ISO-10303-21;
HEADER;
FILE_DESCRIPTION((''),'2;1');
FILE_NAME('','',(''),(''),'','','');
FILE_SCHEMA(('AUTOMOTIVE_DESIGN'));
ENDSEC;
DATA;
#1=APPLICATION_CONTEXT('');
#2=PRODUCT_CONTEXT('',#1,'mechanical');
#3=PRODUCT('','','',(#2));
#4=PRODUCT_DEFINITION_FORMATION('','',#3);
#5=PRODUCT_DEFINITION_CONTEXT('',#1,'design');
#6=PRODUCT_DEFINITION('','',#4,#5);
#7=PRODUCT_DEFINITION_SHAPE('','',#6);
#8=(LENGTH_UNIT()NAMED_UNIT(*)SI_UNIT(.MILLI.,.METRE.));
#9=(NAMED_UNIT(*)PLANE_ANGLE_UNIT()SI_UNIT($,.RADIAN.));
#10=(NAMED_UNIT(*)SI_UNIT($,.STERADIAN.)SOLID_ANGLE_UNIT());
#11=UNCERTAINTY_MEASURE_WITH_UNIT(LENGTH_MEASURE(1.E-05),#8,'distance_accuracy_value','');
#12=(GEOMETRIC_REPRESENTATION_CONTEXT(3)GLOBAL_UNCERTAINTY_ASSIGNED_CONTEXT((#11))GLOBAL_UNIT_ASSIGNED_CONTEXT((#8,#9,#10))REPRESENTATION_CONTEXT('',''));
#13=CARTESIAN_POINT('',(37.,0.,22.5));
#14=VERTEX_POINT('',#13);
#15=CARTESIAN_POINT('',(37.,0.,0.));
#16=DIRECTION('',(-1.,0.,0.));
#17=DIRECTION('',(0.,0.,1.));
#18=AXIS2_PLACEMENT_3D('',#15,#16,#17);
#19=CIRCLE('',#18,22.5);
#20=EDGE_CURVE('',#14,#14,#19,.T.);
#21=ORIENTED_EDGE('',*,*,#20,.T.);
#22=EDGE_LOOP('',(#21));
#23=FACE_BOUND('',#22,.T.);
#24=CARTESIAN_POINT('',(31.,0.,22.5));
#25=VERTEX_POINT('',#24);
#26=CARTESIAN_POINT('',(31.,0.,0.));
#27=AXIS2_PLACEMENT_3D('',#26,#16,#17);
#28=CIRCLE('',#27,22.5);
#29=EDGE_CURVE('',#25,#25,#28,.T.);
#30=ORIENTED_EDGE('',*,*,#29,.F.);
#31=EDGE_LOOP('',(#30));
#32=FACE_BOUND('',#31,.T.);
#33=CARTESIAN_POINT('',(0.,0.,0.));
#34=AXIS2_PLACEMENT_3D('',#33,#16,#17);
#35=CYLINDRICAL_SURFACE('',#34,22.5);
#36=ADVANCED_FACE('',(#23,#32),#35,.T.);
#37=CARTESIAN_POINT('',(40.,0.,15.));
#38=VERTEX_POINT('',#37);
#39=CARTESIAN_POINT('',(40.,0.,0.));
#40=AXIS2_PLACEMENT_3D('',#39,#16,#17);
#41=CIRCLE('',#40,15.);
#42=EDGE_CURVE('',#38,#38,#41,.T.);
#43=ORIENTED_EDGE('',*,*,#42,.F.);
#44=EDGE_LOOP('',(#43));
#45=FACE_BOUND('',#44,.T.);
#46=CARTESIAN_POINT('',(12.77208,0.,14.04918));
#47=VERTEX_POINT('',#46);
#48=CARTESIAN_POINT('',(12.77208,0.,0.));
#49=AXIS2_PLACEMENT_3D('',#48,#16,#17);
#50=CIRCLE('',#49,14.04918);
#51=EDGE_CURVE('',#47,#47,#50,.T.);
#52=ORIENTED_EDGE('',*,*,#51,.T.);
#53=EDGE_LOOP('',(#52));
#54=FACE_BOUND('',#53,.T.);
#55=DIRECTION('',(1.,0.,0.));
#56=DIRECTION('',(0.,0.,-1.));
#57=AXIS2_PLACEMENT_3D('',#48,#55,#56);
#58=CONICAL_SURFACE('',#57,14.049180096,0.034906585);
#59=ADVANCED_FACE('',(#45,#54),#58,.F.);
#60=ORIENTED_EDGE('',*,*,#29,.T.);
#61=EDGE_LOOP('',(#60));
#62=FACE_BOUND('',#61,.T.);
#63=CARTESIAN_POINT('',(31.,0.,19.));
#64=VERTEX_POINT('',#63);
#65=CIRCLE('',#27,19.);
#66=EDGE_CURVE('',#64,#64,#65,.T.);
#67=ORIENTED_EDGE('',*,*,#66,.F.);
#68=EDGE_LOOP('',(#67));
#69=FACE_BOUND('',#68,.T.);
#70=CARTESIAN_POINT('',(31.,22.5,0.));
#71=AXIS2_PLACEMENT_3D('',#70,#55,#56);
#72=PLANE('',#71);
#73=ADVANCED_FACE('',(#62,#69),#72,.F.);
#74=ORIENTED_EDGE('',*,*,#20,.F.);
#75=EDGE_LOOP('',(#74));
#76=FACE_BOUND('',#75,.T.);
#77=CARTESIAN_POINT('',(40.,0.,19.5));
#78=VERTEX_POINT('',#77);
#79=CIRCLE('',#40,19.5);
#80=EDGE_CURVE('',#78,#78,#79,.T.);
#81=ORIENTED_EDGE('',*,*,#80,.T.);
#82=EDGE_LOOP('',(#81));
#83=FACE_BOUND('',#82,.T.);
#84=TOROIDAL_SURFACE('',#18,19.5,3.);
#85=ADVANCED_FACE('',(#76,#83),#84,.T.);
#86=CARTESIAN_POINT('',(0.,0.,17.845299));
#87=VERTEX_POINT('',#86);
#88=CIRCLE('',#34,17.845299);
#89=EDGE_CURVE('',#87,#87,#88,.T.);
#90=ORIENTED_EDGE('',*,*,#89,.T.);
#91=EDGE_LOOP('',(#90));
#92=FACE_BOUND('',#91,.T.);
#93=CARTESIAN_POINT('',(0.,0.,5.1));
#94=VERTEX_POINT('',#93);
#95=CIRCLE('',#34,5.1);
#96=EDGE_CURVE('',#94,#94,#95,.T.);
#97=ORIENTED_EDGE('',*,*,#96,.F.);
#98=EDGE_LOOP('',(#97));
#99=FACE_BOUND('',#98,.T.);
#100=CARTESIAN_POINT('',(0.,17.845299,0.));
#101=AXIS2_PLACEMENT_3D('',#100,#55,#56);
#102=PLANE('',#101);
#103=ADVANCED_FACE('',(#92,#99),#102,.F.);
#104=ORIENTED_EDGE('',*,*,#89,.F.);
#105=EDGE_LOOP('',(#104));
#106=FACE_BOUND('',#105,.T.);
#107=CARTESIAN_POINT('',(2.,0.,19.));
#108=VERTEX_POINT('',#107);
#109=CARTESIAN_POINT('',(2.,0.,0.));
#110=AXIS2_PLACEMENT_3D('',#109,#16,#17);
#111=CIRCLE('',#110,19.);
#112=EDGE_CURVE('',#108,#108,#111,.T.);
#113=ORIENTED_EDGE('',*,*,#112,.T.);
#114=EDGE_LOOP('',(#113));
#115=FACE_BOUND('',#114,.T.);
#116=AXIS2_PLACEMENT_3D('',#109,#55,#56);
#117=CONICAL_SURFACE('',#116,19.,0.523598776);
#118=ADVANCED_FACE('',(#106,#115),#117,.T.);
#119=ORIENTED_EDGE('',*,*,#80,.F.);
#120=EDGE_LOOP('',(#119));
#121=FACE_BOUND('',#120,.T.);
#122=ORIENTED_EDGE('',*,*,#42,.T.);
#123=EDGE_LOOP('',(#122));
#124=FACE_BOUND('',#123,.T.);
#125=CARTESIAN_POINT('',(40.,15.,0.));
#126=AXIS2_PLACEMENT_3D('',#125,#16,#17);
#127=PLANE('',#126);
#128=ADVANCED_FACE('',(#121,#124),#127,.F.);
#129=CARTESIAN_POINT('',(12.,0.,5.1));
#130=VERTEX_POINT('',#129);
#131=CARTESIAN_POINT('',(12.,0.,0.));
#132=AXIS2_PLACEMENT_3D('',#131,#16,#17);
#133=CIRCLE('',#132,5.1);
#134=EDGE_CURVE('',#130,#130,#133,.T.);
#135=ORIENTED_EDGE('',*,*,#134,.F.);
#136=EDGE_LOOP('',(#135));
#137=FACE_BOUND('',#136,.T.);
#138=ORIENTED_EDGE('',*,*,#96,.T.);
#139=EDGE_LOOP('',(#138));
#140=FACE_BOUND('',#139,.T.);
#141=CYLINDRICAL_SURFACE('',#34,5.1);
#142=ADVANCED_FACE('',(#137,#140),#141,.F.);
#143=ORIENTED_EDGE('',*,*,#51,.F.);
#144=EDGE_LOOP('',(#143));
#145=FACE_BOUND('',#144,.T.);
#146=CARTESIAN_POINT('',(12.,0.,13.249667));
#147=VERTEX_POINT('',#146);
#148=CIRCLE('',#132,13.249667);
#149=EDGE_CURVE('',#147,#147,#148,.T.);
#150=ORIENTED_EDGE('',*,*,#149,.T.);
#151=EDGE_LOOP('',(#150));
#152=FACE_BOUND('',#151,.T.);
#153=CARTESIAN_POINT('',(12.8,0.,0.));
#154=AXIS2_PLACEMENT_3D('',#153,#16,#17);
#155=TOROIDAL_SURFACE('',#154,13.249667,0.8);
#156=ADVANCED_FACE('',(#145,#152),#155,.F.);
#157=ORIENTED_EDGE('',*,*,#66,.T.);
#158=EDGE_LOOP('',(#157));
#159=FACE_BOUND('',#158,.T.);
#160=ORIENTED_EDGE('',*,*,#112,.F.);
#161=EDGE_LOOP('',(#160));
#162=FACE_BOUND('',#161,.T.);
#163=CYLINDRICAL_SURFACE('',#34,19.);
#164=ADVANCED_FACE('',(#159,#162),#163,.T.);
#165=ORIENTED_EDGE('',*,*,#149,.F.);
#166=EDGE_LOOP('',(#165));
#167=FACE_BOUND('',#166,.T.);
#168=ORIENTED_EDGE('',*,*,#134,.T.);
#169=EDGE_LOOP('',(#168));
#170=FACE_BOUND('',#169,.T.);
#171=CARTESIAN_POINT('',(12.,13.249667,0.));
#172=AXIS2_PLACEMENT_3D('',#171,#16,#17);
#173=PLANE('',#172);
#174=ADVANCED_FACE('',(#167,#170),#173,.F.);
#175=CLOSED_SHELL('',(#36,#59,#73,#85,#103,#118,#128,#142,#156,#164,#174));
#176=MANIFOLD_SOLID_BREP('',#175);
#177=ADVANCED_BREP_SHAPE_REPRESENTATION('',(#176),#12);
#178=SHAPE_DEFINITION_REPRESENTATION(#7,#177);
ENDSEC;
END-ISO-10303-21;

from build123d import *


with BuildPart() as part:
    # Sketch1 → Revolve1 (revolve)
    with BuildSketch(Plane.XY):
        with BuildLine():
            Line((0, 17.845299462), (2, 19))
            Line((2, 19), (31, 19))
            Line((31, 19), (31, 22.5))
            Line((31, 22.5), (37, 22.5))
            ThreePointArc((37, 22.5), (39.121320344, 21.621320344), (40, 19.5))
            Line((40, 19.5), (40, 15))
            Line((40, 15), (12.772080403, 14.049180096))
            ThreePointArc((12.772080403, 14.049180096), (12.22452816, 13.805394131), (12, 13.249667434))
            Line((12, 13.249667434), (12, 5.1))
            Line((12, 5.1), (0, 5.1))
            Line((0, 5.1), (0, 17.845299462))
        make_face()
    revolve(axis=Axis((0, 0, 0), (1, 0, 0)))


solid = part.part
